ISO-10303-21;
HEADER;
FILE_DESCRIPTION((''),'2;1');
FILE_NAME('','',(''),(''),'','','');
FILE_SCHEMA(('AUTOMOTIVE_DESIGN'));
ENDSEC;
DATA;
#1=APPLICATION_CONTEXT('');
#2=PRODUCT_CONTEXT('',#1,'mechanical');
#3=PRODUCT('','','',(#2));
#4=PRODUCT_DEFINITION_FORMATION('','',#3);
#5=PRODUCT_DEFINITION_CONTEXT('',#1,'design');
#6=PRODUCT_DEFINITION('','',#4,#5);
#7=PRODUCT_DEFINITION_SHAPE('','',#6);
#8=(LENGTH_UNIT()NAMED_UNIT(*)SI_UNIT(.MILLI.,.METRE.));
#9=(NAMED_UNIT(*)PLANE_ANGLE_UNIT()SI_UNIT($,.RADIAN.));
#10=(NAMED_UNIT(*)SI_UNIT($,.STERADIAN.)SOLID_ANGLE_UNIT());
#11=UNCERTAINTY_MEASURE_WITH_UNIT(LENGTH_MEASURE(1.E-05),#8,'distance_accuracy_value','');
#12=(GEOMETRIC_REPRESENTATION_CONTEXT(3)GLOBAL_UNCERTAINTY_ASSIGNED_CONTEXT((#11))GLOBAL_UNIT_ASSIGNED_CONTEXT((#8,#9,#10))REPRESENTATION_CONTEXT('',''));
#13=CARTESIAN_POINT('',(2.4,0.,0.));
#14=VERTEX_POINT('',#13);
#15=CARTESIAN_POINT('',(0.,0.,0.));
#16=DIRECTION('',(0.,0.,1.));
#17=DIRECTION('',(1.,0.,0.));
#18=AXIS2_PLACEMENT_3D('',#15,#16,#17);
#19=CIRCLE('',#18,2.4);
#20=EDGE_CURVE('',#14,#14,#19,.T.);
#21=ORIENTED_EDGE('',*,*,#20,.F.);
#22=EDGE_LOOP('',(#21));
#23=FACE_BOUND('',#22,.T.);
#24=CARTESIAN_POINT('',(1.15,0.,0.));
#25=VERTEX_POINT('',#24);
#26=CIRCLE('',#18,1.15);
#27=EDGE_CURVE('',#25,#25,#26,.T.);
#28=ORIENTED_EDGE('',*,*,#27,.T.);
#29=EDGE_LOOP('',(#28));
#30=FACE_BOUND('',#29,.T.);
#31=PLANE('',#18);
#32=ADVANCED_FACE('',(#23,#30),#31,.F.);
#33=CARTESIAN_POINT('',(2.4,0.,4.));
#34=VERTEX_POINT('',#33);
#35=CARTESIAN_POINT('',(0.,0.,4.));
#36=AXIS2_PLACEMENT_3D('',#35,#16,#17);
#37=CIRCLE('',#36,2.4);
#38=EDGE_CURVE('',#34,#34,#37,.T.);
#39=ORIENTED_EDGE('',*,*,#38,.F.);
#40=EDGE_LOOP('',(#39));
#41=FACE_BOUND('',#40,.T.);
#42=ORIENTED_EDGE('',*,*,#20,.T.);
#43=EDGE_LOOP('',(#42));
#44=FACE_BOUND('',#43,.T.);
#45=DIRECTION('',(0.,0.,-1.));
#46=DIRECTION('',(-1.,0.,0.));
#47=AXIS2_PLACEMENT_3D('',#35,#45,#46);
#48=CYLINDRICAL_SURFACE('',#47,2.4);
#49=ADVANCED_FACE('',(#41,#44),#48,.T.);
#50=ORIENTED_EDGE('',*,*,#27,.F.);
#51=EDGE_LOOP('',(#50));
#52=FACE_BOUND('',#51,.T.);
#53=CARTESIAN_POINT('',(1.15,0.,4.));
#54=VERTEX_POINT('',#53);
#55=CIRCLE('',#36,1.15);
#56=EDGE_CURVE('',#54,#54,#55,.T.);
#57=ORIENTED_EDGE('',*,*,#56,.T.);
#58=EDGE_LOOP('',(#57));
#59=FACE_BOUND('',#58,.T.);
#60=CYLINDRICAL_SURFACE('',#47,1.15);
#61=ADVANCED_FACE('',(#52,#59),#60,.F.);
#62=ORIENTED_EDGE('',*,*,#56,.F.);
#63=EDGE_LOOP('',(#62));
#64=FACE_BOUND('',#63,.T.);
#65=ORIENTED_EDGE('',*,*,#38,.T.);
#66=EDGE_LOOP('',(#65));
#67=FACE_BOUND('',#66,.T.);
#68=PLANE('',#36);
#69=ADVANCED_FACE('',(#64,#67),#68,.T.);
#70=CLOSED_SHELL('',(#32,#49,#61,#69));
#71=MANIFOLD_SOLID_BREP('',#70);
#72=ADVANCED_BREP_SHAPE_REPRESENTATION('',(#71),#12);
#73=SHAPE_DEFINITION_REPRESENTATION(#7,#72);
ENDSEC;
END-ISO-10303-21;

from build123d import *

# Parameters (mm, degrees)
SKETCH_1_R      = 2.4
SKETCH_1_R_2    = 1.15
EXTRUDE_2_DEPTH = 4


with BuildPart() as part:
    # 草图1 → 凸台-拉伸2 (new body)
    with BuildSketch(Plane.XY):
        Circle(SKETCH_1_R)
        Circle(SKETCH_1_R_2, mode=Mode.SUBTRACT)
    extrude(amount=EXTRUDE_2_DEPTH)


solid = part.part
